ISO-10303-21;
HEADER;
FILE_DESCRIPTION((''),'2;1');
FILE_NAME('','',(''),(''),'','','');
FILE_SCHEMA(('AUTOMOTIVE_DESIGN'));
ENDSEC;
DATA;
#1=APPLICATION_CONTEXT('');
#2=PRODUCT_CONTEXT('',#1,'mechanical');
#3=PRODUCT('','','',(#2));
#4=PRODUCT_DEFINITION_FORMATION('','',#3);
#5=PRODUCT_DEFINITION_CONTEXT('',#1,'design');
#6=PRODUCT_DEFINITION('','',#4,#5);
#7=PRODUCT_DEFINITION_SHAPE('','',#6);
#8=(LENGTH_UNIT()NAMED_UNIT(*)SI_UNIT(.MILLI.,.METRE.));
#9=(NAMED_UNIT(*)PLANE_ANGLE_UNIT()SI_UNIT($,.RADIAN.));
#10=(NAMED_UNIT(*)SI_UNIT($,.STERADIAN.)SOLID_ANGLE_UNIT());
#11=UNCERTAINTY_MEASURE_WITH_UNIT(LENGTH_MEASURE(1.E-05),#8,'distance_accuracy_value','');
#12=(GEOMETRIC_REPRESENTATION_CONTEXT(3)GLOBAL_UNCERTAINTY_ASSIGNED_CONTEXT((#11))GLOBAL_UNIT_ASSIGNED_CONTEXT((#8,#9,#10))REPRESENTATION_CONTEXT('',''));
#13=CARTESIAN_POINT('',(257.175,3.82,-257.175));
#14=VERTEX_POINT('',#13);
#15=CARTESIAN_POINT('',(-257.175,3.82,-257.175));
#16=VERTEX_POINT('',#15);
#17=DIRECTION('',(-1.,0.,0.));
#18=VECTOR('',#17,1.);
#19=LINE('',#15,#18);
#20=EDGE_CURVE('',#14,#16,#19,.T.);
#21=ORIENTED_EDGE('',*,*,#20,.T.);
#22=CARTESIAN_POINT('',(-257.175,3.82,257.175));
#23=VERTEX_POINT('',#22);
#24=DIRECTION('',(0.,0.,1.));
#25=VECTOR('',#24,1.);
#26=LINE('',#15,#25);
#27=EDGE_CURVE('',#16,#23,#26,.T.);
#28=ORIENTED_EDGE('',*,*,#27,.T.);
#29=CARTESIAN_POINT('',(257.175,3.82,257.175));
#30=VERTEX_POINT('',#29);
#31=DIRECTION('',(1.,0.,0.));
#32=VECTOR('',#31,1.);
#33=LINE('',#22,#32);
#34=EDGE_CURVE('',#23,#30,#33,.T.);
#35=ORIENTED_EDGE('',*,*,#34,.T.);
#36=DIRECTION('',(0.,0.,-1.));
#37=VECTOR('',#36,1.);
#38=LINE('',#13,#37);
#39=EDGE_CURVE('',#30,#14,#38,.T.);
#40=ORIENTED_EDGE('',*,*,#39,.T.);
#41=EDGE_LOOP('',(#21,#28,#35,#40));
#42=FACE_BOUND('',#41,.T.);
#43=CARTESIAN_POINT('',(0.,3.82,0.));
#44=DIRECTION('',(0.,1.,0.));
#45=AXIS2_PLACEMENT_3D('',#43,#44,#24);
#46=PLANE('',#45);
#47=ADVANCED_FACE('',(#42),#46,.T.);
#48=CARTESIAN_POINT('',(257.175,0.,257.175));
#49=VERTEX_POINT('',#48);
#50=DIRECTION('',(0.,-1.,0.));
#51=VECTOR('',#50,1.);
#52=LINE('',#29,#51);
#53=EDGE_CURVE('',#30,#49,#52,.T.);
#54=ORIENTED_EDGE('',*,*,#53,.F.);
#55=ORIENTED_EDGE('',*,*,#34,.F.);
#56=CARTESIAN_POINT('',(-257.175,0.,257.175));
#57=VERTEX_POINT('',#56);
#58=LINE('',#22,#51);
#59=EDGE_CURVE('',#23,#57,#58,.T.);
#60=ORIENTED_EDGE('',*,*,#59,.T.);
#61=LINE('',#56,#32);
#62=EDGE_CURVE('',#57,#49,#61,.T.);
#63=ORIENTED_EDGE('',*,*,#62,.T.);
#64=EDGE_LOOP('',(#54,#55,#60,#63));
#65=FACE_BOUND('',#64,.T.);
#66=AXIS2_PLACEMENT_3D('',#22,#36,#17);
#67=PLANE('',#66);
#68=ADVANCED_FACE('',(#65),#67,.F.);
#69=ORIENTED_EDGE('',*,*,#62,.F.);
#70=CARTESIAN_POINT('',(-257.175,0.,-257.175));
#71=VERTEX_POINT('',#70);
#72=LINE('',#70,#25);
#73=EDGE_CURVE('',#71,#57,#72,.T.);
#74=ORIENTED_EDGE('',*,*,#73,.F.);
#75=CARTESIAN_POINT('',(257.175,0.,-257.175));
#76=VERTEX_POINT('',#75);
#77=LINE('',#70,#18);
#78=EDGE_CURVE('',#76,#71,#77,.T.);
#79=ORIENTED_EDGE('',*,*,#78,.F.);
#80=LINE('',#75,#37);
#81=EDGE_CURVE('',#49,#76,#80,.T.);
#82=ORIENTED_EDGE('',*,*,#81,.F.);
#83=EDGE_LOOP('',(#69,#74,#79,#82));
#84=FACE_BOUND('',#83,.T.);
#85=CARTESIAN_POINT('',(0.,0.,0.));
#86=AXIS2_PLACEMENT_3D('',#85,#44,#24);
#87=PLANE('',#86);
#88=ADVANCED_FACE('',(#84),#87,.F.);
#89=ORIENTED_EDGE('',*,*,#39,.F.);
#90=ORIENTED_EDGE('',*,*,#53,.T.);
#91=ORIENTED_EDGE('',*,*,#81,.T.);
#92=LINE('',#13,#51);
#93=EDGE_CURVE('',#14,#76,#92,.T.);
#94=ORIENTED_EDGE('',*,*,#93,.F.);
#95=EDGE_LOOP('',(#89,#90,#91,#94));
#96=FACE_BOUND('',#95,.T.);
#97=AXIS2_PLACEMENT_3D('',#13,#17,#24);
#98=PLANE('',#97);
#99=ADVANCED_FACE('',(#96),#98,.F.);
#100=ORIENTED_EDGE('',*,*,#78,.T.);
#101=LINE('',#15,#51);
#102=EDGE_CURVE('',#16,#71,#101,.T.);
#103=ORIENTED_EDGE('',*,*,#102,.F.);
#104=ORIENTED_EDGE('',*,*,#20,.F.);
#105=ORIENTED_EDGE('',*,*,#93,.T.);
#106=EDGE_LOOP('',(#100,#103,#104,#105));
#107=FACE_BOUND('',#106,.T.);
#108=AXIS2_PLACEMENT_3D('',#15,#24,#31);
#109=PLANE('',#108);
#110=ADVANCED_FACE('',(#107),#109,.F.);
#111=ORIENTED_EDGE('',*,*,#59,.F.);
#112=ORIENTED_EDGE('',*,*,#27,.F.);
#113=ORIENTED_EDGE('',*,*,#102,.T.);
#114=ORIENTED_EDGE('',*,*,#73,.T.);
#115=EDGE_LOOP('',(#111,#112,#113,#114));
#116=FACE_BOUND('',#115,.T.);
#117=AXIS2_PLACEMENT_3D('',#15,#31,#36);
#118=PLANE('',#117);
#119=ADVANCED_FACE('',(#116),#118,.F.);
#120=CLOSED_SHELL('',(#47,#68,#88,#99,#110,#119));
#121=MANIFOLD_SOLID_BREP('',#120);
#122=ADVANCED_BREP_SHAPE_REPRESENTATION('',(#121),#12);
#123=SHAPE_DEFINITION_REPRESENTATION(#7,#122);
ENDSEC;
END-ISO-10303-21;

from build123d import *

# Parameters (mm, degrees)
SKETCH1_W           = 514.35
SKETCH1_H           = 514.35
BOSS_EXTRUDE1_DEPTH = 3.82


with BuildPart() as part:
    # Sketch1 → Boss-Extrude1 (new body)
    with BuildSketch(Plane(origin=(0, 0, 0), x_dir=(1, 0, 0), z_dir=(0, 1, 0))):
        Rectangle(SKETCH1_W, SKETCH1_H)
    extrude(amount=BOSS_EXTRUDE1_DEPTH)


solid = part.part
